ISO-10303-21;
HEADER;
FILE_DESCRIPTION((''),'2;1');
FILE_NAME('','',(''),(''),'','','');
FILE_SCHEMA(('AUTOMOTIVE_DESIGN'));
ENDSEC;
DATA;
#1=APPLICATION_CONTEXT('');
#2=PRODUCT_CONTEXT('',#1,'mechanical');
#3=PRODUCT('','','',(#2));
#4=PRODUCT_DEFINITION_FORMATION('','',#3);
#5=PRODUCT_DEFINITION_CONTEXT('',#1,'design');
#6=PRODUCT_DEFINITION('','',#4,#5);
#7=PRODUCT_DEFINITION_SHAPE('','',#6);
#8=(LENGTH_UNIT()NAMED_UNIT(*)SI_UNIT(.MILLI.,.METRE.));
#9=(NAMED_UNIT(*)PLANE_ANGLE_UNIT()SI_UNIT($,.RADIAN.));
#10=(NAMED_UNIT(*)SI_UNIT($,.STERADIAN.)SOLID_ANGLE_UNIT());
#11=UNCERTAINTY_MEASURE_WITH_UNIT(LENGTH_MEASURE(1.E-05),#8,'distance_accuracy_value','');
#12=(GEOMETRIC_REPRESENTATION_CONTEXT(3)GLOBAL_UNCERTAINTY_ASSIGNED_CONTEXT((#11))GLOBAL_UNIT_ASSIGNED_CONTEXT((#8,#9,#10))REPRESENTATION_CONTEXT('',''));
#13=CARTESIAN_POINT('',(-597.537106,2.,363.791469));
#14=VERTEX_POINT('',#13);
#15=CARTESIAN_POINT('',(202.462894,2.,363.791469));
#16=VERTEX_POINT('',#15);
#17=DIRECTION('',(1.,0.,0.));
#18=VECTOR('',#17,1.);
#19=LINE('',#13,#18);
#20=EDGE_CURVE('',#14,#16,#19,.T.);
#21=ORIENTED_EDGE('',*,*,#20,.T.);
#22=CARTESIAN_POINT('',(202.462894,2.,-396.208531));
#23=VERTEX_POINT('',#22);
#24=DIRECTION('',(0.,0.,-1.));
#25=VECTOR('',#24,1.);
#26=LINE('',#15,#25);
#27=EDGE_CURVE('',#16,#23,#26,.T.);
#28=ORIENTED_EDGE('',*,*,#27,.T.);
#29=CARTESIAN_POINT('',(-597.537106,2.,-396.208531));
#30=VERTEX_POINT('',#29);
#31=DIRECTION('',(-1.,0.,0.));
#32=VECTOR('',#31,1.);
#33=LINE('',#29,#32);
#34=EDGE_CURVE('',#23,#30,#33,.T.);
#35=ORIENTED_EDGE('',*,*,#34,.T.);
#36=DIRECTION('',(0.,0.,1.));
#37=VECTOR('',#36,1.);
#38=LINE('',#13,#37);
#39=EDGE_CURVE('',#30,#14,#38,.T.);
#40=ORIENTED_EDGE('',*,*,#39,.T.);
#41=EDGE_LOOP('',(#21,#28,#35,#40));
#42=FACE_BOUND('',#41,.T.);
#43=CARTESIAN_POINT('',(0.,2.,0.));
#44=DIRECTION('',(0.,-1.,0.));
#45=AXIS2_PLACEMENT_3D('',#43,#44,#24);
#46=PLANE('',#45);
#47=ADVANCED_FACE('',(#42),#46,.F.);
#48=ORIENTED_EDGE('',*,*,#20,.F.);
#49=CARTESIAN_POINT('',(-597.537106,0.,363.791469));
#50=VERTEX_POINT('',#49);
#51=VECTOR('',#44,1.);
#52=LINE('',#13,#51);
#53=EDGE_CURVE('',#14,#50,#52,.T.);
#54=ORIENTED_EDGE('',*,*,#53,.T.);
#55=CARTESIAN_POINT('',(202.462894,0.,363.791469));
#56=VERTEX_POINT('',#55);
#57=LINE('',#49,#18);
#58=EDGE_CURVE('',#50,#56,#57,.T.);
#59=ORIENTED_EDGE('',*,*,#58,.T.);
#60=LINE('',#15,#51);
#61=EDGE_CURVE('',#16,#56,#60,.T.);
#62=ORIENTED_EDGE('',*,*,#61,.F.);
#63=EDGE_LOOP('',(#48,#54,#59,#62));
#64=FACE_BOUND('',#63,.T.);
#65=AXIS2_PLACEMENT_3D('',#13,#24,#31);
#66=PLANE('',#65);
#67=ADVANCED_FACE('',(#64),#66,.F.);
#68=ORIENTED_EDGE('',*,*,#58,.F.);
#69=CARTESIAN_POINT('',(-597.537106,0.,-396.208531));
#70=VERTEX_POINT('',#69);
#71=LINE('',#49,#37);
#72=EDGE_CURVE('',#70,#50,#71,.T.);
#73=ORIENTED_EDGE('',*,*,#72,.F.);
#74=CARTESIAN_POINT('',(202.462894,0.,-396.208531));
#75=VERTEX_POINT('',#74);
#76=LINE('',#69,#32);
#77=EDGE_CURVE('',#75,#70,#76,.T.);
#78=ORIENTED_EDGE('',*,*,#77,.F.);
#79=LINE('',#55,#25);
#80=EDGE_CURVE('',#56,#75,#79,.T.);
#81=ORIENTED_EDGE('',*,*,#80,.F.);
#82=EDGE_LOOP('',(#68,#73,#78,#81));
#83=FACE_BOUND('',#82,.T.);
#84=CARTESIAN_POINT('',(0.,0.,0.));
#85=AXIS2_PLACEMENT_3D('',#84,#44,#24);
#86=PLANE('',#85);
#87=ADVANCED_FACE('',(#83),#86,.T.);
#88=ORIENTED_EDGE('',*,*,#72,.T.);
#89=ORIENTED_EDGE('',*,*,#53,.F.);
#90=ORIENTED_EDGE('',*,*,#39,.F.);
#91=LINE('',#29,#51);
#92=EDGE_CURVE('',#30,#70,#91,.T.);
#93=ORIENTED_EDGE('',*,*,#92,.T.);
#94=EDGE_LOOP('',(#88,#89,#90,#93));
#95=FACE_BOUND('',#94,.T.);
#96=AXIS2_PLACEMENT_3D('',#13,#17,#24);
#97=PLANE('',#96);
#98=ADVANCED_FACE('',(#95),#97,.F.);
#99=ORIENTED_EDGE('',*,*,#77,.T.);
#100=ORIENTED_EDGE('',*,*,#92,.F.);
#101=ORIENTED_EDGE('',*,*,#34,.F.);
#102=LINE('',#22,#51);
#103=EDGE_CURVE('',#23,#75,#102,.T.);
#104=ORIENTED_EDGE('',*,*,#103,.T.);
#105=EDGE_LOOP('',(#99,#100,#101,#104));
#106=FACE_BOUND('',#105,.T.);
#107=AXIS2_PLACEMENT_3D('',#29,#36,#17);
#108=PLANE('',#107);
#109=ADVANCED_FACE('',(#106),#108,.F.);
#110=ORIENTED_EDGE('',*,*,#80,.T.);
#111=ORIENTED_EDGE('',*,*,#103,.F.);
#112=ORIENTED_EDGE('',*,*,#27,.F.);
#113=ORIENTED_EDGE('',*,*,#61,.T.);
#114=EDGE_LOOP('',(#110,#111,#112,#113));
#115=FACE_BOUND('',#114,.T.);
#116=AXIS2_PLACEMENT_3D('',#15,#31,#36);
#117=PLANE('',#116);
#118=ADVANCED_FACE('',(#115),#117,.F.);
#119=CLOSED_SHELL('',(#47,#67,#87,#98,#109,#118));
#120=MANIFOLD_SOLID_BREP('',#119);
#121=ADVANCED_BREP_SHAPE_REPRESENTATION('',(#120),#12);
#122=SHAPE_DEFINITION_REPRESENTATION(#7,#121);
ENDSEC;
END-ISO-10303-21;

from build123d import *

# Parameters (mm, degrees)
SZKIC1_W                    = 800
SZKIC1_H                    = 760
DODANIE_WYCI_GNI_CIE1_DEPTH = 2


with BuildPart() as part:
    # Szkic1 → Dodanie-wyciągnięcie1 (new body)
    with BuildSketch(Plane(origin=(0, 0, 0), x_dir=(1, 0, 0), z_dir=(0, 1, 0))):
        with Locations((-197.537105727, 16.208530806)):
            Rectangle(SZKIC1_W, SZKIC1_H)
    extrude(amount=DODANIE_WYCI_GNI_CIE1_DEPTH)


solid = part.part
